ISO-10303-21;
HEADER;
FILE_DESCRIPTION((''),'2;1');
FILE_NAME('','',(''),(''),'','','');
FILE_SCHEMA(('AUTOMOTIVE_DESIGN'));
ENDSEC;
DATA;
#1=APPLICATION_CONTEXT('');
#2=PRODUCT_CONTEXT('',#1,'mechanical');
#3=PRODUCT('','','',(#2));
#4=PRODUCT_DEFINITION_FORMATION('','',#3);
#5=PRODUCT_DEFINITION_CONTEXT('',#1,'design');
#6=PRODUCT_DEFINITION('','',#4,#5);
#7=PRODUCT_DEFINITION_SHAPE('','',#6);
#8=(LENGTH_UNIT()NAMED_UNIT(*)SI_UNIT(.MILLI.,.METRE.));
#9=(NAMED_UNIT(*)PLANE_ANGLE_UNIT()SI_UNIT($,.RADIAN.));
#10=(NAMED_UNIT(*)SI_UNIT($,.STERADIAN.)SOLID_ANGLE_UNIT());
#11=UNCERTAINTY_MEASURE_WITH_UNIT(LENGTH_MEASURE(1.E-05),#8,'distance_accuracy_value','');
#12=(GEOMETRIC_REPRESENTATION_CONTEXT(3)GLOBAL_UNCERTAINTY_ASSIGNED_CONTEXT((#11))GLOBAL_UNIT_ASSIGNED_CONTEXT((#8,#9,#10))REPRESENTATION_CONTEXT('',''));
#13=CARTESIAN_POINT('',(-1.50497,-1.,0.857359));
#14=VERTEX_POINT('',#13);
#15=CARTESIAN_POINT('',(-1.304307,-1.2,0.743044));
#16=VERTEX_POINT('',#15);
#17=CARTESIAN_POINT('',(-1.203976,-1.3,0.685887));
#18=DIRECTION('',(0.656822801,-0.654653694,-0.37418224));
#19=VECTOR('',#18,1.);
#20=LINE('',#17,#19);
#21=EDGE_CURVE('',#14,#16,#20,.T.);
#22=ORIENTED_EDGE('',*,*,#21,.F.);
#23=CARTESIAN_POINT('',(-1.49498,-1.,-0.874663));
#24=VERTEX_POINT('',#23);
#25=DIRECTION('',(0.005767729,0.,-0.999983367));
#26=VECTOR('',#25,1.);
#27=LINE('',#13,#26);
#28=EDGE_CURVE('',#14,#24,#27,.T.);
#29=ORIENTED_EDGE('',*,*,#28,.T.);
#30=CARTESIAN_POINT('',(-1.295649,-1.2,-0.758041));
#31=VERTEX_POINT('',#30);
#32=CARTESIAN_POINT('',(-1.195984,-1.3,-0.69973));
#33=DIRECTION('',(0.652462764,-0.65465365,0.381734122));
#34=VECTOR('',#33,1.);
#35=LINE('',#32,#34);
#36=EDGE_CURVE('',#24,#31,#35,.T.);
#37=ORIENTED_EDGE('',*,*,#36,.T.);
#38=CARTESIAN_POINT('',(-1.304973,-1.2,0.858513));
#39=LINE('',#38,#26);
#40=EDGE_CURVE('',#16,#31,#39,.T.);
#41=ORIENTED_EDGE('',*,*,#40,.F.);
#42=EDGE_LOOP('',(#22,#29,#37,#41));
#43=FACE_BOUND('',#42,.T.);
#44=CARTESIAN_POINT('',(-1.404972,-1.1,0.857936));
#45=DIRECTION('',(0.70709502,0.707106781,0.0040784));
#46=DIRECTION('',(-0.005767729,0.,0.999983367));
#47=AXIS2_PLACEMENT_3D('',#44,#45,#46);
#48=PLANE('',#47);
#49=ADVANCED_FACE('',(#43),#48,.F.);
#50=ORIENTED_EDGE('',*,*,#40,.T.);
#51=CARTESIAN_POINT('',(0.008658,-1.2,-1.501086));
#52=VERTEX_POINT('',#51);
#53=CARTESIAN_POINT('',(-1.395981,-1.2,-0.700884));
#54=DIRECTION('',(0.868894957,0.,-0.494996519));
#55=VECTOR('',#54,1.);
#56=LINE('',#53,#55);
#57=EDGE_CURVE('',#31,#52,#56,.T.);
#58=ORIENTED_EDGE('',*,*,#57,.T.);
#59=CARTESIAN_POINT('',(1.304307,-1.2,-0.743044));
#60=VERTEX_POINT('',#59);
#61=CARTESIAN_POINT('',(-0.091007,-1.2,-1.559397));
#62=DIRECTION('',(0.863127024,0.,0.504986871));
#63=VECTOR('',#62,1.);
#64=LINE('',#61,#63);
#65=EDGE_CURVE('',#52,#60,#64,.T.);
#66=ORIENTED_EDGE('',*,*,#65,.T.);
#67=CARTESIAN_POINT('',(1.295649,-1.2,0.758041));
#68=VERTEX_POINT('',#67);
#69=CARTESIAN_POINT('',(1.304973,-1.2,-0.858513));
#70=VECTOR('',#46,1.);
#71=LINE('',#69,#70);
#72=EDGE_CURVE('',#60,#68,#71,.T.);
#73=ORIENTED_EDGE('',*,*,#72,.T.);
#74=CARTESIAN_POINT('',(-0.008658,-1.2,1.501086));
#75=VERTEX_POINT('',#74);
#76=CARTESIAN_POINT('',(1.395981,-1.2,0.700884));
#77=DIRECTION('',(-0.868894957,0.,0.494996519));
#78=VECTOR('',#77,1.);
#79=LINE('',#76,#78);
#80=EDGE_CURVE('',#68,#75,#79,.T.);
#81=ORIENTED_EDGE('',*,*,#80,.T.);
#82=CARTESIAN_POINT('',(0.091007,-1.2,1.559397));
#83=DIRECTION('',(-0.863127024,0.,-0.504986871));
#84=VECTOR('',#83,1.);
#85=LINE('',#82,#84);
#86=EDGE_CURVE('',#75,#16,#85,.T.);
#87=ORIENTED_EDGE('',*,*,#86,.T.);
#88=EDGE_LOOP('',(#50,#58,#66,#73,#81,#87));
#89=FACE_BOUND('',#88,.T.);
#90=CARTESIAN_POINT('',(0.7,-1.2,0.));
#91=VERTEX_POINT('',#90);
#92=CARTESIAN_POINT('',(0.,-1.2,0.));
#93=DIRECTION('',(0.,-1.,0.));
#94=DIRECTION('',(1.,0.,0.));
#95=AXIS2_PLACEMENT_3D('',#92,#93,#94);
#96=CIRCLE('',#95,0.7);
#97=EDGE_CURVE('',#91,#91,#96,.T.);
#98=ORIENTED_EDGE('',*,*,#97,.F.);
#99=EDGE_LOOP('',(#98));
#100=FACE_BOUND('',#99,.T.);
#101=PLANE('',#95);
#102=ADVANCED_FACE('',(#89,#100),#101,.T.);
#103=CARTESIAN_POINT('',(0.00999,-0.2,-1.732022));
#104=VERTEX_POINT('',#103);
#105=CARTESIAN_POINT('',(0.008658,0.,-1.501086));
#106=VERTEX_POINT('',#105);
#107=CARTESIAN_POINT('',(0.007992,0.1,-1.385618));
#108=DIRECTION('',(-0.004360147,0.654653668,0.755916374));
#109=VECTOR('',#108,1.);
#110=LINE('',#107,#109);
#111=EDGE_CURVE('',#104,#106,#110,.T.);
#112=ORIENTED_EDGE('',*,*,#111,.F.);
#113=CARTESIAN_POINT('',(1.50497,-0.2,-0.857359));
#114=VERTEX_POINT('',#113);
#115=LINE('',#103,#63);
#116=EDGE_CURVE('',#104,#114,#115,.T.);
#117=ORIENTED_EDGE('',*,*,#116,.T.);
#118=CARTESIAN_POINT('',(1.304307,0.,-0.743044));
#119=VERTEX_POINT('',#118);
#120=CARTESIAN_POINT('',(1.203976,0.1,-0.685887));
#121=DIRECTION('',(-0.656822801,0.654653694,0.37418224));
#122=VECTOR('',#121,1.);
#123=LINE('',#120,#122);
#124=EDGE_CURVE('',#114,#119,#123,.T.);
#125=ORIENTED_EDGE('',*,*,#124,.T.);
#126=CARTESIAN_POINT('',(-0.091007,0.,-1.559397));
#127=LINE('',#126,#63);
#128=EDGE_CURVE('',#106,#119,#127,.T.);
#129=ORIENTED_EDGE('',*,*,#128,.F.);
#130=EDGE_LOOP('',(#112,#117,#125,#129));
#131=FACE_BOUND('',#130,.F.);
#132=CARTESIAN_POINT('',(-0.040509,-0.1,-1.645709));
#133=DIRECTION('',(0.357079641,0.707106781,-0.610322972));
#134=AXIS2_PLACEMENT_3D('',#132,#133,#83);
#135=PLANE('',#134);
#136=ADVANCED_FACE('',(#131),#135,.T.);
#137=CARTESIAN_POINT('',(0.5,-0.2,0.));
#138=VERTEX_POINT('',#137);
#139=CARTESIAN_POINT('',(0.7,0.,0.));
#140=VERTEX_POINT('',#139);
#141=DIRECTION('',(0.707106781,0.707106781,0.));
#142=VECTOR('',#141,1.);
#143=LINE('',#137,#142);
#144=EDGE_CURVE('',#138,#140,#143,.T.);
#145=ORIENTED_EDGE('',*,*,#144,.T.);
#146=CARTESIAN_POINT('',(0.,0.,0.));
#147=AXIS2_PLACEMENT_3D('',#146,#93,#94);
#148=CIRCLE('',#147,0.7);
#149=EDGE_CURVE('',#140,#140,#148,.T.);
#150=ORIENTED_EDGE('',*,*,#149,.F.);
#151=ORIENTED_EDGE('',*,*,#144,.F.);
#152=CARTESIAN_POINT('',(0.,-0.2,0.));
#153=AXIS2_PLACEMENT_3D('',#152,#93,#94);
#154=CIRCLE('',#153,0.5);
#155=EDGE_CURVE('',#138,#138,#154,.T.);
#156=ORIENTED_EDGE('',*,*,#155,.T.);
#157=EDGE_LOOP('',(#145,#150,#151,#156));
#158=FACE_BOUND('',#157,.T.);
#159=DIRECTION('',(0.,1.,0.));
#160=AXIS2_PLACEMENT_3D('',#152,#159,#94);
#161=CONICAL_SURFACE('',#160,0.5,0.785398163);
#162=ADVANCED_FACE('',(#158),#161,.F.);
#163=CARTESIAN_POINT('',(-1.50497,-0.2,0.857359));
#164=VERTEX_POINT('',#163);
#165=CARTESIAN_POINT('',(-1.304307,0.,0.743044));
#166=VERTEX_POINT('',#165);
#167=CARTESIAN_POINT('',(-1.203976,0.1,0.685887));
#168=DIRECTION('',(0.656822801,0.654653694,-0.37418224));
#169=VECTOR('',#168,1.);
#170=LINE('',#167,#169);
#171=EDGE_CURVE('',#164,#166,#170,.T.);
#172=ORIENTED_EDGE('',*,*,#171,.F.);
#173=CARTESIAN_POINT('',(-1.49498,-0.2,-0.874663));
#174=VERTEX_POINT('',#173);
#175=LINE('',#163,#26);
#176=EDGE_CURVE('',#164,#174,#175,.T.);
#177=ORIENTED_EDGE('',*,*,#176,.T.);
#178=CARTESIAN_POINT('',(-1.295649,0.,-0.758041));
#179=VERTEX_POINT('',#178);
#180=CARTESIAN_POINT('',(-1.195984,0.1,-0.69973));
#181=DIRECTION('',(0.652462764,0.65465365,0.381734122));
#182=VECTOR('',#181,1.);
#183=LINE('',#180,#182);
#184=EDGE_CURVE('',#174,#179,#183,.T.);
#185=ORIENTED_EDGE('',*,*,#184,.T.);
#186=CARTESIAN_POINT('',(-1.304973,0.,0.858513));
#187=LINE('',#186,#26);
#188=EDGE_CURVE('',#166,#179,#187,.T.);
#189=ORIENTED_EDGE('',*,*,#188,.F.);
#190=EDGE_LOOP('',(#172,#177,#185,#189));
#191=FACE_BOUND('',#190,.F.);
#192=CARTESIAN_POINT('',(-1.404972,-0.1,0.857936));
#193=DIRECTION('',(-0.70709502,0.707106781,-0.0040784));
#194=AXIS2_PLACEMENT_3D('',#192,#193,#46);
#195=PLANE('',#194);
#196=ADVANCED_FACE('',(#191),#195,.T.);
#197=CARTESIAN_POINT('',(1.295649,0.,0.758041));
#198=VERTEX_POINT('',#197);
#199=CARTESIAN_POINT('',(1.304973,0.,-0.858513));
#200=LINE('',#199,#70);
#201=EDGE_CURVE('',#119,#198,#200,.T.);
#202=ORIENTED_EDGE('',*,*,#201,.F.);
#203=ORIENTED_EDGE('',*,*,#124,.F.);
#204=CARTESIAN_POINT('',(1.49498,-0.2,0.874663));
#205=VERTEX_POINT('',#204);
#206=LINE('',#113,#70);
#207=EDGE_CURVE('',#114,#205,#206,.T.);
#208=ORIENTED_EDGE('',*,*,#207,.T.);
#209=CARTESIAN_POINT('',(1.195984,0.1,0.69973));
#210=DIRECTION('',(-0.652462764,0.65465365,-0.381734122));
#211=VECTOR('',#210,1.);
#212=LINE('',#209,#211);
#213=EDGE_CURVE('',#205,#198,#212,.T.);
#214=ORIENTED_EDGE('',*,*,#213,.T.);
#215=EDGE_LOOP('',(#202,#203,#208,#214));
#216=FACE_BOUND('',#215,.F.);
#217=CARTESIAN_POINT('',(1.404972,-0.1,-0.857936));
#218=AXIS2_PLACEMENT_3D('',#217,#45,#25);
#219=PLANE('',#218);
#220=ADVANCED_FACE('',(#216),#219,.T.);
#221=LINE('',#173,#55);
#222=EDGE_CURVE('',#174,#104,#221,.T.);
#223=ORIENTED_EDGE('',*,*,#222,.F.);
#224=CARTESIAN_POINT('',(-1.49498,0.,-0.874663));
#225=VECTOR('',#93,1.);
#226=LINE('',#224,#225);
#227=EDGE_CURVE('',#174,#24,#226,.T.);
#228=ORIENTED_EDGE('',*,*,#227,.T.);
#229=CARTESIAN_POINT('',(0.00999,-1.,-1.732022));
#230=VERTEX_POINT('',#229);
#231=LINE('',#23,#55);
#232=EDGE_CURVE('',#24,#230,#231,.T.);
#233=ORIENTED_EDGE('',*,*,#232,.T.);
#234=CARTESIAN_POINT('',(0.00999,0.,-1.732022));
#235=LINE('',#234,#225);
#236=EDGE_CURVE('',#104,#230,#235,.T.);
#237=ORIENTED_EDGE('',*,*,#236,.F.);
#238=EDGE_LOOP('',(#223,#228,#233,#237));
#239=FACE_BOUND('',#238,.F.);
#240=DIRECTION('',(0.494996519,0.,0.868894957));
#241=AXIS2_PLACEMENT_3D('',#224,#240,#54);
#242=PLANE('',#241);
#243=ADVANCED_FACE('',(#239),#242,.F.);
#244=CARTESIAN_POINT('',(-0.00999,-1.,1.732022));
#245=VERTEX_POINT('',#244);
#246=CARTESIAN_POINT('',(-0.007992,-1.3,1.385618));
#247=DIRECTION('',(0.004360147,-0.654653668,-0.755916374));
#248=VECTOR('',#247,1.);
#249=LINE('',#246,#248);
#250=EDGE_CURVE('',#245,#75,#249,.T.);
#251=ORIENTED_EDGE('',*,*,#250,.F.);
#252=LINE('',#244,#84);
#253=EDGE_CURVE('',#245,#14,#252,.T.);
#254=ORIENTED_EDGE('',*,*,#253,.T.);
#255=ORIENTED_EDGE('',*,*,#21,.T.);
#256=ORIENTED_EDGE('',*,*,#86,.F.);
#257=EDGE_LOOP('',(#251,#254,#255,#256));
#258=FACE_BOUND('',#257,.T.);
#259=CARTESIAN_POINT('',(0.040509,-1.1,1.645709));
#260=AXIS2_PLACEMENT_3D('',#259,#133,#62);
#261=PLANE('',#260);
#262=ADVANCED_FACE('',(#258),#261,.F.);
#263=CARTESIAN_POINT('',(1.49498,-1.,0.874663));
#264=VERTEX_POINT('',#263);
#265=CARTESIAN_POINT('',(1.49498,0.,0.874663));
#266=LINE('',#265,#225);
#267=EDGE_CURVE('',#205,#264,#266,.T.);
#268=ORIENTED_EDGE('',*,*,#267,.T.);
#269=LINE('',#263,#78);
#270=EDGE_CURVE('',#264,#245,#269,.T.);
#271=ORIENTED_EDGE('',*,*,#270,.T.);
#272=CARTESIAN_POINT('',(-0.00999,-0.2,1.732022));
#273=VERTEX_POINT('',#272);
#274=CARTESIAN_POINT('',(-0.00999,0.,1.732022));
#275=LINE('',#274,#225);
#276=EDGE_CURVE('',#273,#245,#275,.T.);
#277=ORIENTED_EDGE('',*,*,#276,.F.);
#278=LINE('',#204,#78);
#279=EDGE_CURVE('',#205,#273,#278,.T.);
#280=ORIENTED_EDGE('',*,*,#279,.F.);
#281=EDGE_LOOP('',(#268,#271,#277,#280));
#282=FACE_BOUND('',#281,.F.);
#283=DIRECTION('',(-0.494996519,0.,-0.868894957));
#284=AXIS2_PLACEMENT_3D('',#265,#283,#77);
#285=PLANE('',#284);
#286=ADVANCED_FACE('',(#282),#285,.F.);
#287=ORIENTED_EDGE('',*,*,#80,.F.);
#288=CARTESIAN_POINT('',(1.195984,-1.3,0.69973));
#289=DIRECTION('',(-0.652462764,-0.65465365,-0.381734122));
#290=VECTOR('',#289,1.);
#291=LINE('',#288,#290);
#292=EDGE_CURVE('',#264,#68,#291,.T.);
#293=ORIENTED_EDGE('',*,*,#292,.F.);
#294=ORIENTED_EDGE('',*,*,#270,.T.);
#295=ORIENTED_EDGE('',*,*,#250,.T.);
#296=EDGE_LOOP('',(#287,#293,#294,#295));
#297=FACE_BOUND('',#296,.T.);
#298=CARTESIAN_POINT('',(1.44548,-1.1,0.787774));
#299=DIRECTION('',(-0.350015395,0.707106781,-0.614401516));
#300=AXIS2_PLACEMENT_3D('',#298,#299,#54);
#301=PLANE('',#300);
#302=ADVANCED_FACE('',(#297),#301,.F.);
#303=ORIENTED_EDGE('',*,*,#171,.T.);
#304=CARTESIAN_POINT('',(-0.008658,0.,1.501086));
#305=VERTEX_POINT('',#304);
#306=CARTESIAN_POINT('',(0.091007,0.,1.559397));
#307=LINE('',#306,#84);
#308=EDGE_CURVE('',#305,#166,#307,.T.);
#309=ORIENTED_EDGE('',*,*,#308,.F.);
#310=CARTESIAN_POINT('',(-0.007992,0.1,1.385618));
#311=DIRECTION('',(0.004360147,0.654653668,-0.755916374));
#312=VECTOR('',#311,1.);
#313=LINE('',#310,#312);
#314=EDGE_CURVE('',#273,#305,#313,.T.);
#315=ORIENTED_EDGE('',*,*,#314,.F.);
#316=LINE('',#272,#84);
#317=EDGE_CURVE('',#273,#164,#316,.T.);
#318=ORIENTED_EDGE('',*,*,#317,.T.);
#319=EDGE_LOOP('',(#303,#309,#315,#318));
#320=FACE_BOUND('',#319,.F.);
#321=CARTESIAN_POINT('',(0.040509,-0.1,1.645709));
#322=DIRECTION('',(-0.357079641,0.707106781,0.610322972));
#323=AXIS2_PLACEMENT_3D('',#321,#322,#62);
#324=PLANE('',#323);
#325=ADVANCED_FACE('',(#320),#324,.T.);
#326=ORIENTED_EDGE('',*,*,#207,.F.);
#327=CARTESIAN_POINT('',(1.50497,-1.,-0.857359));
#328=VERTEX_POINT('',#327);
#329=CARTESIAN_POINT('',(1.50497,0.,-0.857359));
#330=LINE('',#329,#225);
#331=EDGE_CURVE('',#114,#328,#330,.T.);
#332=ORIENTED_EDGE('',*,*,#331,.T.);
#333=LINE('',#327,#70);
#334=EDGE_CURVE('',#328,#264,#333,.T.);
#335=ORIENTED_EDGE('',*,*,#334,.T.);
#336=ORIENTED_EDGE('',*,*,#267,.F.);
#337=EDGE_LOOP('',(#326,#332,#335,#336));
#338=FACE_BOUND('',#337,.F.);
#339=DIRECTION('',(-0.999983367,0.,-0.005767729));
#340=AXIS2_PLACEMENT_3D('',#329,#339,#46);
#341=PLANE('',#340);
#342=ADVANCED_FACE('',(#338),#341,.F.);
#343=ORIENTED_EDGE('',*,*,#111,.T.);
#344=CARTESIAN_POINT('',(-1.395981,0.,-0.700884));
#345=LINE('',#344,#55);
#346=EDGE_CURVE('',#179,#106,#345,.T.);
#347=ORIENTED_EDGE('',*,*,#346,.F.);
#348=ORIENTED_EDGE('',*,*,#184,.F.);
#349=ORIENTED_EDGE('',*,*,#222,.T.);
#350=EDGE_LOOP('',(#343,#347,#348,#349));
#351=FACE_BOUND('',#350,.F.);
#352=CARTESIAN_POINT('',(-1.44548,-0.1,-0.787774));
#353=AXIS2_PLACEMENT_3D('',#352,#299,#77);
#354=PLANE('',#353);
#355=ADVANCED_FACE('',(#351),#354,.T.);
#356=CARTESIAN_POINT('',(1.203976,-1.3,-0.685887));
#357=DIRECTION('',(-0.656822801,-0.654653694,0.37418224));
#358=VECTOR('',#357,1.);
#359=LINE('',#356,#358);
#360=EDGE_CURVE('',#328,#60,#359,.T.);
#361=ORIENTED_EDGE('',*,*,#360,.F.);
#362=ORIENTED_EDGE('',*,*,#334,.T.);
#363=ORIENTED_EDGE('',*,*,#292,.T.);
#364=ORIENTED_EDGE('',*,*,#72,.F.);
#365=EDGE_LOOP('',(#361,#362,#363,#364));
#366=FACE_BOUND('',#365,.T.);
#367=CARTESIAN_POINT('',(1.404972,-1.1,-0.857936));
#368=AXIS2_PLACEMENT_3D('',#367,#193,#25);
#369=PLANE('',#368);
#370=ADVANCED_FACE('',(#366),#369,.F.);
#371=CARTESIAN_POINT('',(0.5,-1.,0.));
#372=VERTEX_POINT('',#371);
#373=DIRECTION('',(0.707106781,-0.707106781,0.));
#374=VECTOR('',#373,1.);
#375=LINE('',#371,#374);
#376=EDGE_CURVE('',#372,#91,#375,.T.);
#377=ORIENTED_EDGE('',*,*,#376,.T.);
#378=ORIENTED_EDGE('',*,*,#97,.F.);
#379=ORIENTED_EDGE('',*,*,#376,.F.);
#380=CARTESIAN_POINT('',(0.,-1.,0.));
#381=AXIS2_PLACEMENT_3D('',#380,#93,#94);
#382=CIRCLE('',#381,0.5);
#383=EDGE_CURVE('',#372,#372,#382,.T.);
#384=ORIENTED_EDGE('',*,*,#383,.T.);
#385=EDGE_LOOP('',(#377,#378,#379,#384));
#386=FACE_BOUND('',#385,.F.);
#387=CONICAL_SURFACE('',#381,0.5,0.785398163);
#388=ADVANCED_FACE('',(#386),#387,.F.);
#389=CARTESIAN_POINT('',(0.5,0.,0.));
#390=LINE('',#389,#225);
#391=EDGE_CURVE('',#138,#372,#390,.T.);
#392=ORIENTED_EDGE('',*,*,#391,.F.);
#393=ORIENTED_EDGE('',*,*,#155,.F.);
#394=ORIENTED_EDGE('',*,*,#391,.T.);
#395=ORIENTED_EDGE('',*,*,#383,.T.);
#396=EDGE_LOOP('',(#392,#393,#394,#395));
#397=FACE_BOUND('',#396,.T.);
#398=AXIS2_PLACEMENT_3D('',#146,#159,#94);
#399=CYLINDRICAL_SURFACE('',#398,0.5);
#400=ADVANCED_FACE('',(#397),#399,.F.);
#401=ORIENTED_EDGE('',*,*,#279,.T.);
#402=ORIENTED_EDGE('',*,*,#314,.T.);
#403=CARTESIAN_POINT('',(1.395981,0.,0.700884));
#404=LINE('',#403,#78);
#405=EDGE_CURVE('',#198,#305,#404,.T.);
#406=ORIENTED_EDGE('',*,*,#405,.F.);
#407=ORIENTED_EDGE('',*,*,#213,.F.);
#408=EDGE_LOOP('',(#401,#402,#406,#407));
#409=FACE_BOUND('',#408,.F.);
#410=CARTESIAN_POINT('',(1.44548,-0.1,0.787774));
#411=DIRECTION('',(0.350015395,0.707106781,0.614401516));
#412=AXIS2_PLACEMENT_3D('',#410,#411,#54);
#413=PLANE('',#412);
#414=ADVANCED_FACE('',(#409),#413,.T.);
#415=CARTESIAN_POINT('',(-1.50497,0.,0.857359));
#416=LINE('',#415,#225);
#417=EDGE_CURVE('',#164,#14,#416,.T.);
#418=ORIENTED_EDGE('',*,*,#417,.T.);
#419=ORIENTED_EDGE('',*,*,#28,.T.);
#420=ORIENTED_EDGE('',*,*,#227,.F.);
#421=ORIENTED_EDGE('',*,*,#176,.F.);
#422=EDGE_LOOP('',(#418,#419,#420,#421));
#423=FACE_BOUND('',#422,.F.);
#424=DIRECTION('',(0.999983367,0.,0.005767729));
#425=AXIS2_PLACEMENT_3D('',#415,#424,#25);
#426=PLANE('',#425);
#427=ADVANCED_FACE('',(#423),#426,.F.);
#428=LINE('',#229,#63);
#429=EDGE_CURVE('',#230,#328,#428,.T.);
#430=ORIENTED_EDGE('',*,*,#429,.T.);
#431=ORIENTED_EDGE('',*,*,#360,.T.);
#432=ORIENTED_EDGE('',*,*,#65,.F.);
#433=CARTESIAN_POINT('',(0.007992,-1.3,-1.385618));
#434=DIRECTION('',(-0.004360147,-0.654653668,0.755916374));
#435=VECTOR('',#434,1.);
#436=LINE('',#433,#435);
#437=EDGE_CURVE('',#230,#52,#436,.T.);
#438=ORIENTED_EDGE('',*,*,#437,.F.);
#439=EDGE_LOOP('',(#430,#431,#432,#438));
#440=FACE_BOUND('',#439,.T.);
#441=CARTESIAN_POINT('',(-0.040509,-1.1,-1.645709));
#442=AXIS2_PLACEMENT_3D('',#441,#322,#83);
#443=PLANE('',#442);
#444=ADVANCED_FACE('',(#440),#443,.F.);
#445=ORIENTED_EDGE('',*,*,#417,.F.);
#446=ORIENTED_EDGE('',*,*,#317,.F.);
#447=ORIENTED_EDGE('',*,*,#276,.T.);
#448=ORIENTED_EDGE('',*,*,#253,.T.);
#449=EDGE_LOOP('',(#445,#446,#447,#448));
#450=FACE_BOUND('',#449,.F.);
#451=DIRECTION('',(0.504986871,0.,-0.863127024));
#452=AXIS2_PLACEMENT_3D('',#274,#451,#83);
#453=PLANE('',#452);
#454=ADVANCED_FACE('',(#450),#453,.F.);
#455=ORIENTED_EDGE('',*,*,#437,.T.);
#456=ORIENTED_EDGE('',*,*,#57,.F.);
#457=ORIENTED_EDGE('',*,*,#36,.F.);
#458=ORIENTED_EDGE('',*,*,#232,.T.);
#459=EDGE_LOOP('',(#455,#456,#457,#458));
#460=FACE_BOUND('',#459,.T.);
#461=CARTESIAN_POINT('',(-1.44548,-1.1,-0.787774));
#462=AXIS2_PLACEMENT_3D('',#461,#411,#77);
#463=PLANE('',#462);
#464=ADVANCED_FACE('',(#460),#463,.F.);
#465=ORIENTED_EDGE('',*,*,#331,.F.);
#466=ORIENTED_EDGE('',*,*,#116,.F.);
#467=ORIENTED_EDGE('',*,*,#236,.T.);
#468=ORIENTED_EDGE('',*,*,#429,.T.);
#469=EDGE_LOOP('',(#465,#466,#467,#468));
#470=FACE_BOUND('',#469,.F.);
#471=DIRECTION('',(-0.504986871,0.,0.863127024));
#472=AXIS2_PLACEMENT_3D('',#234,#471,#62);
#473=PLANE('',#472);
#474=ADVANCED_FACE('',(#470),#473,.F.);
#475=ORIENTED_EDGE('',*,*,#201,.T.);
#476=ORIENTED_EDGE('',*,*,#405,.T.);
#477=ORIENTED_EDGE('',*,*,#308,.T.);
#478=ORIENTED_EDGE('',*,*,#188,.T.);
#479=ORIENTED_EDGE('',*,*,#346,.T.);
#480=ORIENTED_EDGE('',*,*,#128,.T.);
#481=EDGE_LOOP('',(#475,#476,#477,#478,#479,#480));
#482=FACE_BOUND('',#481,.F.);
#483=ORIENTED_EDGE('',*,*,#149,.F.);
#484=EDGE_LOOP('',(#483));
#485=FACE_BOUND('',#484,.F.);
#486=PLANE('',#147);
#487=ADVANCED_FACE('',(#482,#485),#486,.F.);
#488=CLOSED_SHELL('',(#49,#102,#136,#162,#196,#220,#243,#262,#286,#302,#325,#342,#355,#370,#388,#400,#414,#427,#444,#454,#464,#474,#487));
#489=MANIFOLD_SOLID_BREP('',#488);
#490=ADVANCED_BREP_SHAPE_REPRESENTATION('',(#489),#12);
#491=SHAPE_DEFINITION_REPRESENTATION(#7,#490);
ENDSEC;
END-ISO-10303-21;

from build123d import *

# Parameters (mm, degrees)
F0_R     = 0.5
F1_DEPTH = 1.2
F2_SIZE  = 0.2


with BuildPart() as f1:
    # F0 (on Front) → F1 (new body)
    with BuildSketch(Plane.XZ):
        Polygon((0.00999, -1.732022), (1.50497, -0.857359), (1.49498, 0.874663), (-0.00999, 1.732022), (-1.50497, 0.857359), (-1.49498, -0.874663), align=None)
        Circle(F0_R, mode=Mode.SUBTRACT)
    extrude(amount=F1_DEPTH)

    # F2
    f2_edges = [f1.edges().sort_by_distance(p)[0] for p in [
        (-1.499975, 0, -0.008652),
        (-0.742495, 0, -1.303342),
        (0.75748, 0, -1.294691),
        (1.499975, 0, 0.008652),
        (0.742495, 0, 1.303342),
        (-0.75748, 0, 1.294691),
        (-0.5, 0, 0),
        (-1.499975, -1.2, -0.008652),
        (-0.742495, -1.2, -1.303342),
        (0.75748, -1.2, -1.294691),
        (1.499975, -1.2, 0.008652),
        (0.742495, -1.2, 1.303342),
        (-0.75748, -1.2, 1.294691),
        (-0.5, -1.2, 0),
    ]]
    chamfer(f2_edges, length=F2_SIZE)


solid = f1.part
